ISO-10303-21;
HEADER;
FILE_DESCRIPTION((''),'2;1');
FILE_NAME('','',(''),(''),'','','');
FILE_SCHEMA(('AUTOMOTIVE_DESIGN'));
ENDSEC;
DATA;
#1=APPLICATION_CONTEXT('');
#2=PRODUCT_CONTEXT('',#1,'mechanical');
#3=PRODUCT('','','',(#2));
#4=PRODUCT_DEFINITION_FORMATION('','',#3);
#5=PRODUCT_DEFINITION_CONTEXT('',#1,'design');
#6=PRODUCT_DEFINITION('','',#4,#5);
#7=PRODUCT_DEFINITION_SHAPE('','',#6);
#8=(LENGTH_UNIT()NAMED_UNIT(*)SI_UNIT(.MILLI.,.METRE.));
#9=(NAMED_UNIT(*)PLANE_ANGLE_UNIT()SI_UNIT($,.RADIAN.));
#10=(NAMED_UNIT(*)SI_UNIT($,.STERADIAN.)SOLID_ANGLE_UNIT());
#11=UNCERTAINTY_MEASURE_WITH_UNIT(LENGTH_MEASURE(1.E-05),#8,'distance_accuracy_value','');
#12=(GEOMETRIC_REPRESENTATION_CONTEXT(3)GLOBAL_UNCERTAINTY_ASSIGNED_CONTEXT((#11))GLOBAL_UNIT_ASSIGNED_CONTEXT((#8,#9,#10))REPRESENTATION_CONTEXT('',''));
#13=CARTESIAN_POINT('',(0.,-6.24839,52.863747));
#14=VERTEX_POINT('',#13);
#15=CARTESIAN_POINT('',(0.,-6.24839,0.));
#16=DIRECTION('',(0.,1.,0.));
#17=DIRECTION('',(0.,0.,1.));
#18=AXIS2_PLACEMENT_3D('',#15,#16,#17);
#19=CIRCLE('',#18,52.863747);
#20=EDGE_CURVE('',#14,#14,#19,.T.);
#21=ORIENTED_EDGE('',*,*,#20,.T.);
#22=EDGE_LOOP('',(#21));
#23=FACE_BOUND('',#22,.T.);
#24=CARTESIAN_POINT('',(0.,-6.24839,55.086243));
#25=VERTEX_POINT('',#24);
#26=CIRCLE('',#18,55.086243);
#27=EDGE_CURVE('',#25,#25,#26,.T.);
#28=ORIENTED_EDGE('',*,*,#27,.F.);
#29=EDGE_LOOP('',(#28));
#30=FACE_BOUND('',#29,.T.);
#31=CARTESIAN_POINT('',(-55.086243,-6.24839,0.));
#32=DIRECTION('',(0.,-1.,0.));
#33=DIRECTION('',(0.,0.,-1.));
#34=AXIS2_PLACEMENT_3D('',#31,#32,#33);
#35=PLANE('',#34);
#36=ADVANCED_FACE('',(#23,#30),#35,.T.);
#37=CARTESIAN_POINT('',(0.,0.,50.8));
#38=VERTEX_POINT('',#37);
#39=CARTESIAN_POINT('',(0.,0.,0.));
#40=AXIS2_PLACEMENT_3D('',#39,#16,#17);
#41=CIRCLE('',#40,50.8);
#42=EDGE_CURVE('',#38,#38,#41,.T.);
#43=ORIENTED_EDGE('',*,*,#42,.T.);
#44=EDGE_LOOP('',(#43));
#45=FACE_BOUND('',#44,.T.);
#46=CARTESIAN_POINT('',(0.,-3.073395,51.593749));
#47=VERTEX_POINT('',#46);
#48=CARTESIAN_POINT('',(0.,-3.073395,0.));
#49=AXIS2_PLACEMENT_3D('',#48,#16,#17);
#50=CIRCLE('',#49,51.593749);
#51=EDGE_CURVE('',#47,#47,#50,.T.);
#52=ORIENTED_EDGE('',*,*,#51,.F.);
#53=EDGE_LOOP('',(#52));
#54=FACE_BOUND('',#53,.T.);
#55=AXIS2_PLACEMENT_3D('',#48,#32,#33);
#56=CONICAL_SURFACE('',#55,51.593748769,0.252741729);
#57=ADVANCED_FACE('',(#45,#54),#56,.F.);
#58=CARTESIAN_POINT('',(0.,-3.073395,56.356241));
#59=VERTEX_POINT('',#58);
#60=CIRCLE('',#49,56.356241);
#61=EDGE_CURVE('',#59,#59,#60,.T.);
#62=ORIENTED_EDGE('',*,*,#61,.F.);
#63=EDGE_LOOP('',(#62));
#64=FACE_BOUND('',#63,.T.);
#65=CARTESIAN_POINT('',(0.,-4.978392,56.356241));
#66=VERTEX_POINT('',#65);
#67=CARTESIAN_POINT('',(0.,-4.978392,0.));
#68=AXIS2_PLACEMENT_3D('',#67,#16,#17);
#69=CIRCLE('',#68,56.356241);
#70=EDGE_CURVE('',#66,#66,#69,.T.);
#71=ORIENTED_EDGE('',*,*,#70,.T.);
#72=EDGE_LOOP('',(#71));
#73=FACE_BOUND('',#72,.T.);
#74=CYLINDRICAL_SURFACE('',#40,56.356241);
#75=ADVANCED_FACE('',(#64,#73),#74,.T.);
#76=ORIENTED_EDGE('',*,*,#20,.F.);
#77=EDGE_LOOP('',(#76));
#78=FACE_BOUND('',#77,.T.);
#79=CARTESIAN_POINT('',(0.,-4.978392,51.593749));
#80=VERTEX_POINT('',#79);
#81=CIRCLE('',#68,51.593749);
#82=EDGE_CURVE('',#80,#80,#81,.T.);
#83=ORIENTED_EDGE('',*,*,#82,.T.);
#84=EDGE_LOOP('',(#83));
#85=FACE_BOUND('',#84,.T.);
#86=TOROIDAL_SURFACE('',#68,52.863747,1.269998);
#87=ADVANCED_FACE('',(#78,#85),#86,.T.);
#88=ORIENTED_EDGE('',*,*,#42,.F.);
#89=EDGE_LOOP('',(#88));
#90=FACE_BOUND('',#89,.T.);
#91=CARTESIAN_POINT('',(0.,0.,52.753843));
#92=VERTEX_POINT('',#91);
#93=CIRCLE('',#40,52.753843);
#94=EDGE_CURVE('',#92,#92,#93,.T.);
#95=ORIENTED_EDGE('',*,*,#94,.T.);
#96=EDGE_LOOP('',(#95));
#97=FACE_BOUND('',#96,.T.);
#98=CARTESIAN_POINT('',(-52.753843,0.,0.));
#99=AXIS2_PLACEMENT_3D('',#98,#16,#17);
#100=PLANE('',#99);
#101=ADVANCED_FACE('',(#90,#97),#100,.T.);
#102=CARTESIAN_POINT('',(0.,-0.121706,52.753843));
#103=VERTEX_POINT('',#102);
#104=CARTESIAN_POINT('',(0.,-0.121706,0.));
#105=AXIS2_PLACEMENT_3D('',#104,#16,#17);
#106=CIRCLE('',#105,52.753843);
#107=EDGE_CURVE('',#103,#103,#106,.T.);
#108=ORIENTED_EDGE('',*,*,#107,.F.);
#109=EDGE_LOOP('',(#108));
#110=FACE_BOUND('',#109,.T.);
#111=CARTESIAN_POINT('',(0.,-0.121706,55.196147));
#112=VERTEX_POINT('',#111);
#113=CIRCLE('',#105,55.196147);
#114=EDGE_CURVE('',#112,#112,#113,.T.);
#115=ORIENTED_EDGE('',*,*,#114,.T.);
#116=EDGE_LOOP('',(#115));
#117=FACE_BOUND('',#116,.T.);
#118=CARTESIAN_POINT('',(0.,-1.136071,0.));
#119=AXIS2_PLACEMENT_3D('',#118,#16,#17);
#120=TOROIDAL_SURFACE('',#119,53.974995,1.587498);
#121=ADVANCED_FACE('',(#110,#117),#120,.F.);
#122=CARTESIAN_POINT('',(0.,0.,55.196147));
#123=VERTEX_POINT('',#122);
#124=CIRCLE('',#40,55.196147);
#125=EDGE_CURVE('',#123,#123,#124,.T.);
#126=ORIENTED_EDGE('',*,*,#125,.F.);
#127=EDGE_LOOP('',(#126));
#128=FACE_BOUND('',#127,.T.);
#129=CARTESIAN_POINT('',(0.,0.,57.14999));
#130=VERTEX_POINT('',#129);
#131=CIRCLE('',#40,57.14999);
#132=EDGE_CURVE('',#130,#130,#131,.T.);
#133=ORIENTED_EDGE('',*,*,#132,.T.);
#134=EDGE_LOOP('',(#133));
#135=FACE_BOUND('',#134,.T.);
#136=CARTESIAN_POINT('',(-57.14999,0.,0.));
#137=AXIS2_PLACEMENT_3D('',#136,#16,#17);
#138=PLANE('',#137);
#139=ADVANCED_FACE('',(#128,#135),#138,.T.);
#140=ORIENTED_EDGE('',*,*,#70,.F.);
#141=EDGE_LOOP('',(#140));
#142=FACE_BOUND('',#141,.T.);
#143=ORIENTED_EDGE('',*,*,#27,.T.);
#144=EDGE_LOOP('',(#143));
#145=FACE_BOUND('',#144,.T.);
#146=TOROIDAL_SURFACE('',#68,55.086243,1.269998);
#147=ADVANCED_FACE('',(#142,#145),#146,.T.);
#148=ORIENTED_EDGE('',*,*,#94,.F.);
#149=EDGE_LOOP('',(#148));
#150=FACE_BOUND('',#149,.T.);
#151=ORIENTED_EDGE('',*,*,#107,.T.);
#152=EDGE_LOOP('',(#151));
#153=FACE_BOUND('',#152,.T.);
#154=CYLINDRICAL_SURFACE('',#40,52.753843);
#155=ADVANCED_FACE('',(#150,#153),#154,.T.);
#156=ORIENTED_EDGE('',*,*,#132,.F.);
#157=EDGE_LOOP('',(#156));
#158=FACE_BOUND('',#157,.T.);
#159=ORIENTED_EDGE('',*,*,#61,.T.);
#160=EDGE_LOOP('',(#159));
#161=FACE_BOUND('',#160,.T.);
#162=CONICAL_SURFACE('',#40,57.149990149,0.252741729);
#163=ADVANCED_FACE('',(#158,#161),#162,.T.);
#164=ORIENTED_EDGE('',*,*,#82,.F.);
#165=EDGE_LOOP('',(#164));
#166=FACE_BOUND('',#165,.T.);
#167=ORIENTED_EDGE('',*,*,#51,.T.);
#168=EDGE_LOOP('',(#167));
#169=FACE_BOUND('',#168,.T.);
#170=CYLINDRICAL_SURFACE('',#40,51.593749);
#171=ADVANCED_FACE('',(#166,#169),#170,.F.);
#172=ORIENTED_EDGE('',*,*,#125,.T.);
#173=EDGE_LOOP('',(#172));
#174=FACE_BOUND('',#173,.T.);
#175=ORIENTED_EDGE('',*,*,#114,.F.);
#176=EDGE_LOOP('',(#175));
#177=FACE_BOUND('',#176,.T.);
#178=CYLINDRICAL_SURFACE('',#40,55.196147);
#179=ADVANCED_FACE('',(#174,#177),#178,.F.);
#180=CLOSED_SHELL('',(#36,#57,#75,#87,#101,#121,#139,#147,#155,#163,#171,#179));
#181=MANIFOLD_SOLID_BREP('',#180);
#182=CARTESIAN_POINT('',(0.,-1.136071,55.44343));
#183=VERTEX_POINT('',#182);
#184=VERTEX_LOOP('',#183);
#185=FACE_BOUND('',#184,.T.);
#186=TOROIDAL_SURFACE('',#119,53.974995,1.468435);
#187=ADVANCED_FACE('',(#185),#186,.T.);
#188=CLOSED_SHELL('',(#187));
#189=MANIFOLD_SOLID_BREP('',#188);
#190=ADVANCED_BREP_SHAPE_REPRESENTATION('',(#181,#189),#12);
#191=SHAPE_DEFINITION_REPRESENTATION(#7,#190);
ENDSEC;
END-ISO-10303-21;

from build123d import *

# Parameters (mm, degrees)
SKETCH1_R = 1.468435222


with BuildPart() as part:
    # Sketch1 → Revolve1 (revolve)
    with BuildSketch(Plane.XY, mode=Mode.PRIVATE) as revolve1_sk:
        with Locations((-53.974995075, -1.136070965)):
            Circle(SKETCH1_R)
        with BuildLine():
            Line((-55.086243351, -6.248390307), (-52.863746798, -6.248390307))
            ThreePointArc((-52.863746798, -6.248390307), (-51.965722579, -5.876416496), (-51.593748769, -4.978392277))
            Line((-51.593748769, -4.978392277), (-51.593748769, -3.073395232))
            Line((-51.593748769, -3.073395232), (-50.8, 0))
            Line((-50.8, 0), (-52.753843123, 0))
            Line((-52.753843123, 0), (-52.753843123, -0.121705971))
            ThreePointArc((-52.753843123, -0.121705971), (-53.974995075, -2.723568502), (-55.196147026, -0.121705971))
            Line((-55.196147026, -0.121705971), (-55.196147026, 0))
            Line((-55.196147026, 0), (-57.149990149, 0))
            Line((-57.149990149, 0), (-56.35624138, -3.073395232))
            Line((-56.35624138, -3.073395232), (-56.35624138, -4.978392277))
            ThreePointArc((-56.35624138, -4.978392277), (-55.98426757, -5.876416496), (-55.086243351, -6.248390307))
        make_face()
    revolve(revolve1_sk.sketch.rotate(Axis((0, 0, 0), (0, -1, 0)), 270), axis=Axis((0, 0, 0), (0, -1, 0)))


solid = part.part
